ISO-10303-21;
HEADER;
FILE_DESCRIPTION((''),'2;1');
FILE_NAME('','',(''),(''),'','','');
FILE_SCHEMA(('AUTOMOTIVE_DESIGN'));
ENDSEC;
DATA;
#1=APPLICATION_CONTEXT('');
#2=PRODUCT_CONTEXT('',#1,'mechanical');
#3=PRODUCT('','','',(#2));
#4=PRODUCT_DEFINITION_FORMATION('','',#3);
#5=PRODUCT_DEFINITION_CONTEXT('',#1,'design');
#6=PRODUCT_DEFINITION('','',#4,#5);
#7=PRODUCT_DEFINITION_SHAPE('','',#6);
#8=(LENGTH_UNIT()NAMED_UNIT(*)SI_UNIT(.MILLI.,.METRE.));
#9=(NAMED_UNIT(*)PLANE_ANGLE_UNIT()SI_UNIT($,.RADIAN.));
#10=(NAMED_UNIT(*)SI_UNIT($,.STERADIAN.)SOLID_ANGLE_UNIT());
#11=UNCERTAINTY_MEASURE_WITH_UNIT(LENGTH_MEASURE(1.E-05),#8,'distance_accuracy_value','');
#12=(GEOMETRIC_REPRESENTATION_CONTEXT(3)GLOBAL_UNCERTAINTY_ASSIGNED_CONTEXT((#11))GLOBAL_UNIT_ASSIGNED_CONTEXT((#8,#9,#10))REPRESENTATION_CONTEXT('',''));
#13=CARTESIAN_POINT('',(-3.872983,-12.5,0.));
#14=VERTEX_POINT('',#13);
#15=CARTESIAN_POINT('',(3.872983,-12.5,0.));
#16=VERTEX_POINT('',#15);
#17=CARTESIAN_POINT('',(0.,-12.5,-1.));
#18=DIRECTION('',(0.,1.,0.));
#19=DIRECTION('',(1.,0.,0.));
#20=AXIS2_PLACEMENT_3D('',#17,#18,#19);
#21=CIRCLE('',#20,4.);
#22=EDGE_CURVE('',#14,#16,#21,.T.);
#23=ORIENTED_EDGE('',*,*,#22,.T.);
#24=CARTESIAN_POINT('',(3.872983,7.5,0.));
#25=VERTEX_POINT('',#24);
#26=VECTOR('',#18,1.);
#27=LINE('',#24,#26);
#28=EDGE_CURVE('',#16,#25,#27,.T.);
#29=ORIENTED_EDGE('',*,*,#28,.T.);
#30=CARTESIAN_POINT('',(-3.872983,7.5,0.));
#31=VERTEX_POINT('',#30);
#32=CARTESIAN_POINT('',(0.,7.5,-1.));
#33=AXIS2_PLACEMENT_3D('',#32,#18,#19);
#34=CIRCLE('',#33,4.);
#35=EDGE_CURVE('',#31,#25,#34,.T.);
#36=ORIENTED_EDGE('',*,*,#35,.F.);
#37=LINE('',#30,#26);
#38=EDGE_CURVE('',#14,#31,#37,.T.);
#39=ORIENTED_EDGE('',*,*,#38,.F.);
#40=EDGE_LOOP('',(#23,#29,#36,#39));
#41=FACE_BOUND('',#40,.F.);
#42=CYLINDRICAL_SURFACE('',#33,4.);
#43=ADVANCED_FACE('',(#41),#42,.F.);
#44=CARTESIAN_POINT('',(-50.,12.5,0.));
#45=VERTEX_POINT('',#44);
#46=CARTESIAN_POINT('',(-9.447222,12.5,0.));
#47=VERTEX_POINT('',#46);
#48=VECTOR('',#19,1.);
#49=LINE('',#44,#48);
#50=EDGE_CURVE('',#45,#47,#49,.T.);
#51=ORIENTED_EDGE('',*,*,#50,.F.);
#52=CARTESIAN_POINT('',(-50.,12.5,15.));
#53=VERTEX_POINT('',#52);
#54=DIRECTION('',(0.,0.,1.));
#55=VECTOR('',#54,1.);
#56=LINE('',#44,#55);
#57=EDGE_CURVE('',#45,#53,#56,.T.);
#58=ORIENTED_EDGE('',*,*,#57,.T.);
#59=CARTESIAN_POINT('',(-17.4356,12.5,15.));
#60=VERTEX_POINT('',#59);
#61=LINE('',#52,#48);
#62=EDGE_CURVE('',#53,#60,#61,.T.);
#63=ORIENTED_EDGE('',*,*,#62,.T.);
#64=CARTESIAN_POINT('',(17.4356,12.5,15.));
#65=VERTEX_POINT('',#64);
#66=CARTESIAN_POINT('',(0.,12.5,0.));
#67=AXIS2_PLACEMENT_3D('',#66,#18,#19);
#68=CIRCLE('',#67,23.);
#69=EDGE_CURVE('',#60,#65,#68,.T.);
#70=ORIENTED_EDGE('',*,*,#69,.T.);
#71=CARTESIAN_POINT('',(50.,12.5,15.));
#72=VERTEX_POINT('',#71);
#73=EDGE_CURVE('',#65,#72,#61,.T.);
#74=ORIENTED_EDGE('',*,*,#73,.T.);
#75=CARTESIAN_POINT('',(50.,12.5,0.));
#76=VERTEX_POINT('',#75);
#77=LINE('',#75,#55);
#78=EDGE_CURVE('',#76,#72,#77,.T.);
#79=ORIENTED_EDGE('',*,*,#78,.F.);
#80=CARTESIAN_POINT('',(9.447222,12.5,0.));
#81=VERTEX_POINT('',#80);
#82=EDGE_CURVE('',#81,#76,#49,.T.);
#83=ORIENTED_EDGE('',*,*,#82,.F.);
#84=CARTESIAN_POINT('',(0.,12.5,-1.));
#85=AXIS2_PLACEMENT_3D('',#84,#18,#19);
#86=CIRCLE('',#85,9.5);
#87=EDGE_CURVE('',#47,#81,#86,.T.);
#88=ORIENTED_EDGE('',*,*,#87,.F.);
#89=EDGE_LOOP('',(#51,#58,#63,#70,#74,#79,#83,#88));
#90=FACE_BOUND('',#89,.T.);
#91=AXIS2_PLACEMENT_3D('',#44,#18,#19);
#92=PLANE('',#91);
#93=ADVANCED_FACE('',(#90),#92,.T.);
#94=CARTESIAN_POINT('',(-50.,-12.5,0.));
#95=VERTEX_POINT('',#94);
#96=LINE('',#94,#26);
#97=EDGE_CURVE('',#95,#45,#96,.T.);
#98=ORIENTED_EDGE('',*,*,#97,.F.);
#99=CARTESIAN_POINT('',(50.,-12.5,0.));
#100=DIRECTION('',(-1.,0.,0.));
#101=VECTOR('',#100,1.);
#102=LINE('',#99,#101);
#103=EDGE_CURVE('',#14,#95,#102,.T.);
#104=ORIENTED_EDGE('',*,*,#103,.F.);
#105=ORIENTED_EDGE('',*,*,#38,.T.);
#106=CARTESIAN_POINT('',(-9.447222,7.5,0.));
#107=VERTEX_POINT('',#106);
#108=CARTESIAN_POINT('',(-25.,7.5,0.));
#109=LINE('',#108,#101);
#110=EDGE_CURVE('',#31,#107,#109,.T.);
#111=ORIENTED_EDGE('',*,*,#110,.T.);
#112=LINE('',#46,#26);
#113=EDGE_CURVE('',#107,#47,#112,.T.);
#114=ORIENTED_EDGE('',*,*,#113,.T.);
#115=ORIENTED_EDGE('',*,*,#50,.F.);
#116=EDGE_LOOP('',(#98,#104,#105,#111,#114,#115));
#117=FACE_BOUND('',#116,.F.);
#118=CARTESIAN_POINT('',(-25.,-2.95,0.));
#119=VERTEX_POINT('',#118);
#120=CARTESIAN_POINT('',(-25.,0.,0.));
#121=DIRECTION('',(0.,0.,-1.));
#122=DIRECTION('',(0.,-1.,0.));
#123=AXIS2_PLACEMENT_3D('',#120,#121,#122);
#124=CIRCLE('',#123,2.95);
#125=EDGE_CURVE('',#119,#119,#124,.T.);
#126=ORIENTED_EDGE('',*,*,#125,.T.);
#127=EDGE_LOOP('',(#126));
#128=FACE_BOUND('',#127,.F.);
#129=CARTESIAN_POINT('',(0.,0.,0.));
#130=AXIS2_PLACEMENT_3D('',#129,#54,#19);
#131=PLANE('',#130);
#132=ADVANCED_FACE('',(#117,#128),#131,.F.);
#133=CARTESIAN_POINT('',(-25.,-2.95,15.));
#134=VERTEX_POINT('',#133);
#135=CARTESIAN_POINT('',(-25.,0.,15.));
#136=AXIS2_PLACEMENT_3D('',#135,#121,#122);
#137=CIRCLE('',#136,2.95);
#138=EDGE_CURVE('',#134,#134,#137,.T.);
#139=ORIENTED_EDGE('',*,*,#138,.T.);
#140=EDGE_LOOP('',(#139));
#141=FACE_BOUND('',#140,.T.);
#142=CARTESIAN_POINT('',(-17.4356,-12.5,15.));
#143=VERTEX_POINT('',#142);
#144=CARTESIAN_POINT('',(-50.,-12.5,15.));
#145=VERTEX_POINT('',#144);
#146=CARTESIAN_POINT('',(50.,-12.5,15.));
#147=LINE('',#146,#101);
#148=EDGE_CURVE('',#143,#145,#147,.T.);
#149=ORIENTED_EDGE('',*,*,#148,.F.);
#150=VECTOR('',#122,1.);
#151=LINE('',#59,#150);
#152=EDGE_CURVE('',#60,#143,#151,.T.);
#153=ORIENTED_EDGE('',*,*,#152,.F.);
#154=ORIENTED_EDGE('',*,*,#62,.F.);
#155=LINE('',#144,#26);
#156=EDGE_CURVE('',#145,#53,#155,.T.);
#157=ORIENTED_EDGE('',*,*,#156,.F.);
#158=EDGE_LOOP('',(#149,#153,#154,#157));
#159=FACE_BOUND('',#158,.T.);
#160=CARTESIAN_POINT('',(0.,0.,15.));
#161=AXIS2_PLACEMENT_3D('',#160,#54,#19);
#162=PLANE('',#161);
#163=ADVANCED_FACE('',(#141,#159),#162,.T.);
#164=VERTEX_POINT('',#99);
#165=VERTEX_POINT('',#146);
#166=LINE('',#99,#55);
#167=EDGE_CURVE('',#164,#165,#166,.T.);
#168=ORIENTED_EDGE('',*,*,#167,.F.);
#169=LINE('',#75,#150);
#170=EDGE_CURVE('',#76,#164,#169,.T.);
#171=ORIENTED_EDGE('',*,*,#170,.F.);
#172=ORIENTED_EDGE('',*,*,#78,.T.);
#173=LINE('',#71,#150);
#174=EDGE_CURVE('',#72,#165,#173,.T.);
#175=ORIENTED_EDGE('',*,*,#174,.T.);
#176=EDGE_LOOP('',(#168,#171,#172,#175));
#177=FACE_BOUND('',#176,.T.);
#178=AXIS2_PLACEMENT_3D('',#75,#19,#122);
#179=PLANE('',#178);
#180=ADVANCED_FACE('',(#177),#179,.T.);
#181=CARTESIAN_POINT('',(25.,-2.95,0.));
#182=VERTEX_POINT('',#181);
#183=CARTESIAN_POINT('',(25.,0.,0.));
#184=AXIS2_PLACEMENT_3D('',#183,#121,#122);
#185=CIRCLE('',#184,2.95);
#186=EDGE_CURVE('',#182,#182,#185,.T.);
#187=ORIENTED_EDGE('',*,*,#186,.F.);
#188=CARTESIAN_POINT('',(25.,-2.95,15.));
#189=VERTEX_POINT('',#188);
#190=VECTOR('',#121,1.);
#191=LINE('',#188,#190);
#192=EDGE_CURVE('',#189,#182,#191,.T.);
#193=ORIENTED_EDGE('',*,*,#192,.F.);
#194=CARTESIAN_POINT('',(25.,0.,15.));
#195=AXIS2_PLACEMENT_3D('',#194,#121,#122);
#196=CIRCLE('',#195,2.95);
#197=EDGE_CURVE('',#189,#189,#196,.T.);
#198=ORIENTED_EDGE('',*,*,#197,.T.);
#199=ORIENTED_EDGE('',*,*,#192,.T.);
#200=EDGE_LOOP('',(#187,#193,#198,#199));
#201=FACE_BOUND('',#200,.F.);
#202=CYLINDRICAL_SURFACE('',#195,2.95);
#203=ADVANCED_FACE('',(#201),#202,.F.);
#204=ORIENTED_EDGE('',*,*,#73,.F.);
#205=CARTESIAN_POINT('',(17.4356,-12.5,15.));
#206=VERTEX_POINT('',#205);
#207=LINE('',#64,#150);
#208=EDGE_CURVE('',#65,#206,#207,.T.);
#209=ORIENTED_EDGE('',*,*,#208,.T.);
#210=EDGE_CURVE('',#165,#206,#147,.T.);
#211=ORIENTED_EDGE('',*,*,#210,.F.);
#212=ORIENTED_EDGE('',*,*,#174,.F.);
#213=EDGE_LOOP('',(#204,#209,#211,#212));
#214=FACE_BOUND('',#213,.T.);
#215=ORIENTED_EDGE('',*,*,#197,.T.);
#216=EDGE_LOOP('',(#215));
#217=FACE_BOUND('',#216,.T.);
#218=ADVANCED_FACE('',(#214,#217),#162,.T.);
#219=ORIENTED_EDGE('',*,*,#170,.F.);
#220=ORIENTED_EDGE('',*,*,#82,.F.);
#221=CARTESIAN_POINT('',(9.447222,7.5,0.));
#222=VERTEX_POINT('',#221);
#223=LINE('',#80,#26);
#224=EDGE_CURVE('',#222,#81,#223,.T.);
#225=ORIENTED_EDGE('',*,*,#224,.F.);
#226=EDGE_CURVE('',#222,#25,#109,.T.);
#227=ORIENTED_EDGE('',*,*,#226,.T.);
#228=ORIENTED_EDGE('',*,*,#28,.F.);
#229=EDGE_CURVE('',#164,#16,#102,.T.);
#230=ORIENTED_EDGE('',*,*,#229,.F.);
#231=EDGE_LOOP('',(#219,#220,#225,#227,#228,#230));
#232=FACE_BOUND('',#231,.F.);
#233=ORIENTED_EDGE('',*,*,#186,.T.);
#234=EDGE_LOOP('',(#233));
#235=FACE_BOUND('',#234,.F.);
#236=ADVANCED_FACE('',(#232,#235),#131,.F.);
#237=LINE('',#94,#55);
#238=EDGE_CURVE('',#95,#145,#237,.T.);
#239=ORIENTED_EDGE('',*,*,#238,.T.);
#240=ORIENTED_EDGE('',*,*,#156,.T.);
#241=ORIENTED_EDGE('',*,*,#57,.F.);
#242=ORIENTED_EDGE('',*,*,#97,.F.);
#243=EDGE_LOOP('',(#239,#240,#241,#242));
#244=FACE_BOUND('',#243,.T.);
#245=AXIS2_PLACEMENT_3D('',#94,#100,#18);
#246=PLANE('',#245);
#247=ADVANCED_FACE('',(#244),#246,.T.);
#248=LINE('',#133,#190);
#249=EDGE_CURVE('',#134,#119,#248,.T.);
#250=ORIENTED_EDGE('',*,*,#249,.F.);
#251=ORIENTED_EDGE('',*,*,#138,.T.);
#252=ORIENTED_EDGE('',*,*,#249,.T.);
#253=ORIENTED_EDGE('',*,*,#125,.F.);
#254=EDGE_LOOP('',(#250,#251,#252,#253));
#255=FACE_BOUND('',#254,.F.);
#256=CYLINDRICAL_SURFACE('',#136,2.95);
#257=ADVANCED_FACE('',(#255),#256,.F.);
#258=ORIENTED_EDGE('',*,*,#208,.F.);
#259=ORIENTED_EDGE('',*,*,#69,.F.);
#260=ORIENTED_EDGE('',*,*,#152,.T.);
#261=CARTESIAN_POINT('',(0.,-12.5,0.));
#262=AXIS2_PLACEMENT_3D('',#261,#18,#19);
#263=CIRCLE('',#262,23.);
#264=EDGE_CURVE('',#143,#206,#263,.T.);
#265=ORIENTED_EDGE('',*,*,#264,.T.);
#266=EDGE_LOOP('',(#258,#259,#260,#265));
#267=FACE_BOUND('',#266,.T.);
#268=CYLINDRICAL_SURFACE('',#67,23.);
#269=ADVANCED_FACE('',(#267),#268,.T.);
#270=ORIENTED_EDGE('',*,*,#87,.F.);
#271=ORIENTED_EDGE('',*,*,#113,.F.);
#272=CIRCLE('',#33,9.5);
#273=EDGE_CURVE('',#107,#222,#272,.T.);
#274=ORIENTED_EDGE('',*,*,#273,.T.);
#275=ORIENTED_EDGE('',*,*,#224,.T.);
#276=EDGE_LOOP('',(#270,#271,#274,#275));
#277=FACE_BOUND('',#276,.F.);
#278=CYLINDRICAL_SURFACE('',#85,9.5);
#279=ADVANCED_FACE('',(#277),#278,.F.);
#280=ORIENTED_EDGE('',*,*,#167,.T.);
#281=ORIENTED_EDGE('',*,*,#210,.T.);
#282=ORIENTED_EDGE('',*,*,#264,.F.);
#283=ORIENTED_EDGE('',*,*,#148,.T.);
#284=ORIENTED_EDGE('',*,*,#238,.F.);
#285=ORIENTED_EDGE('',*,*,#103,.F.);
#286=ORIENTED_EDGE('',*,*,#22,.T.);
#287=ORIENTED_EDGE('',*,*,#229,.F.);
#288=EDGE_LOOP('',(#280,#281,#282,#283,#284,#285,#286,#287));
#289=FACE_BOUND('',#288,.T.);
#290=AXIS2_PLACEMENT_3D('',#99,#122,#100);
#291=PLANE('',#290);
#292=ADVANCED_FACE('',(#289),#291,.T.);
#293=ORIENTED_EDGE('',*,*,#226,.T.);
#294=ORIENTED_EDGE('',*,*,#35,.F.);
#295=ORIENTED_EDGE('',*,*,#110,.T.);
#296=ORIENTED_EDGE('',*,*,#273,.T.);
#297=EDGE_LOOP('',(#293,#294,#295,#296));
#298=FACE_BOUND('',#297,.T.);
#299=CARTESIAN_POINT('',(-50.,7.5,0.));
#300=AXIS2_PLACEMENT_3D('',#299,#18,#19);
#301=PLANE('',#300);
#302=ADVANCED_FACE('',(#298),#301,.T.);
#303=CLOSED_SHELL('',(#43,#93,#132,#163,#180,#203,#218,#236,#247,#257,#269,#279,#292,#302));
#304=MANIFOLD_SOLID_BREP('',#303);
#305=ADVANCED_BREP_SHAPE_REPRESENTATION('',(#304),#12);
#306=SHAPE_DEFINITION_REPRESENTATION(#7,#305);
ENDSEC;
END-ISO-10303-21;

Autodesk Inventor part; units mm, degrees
ref_plane "YZ Plane" through (0, 0, 0) normal (1, 0, 0) x (0, 1, 0)
ref_plane "XZ Plane" through (0, 0, 0) normal (0, 1, 0) x (-1, 0, 0)
ref_plane "XY Plane" through (0, 0, 0) normal (0, 0, 1) x (1, 0, 0)
sketch "Schizzo1" plane through (0, 0, 0) normal (0, 0, 1) x (1, 0, 0)
  line L0 (50, -12.5) -> (-50, -12.5)
  line L1 (-50, -12.5) -> (-50, 12.5)
  line L2 (-50, 12.5) -> (50, 12.5)
  line L3 (50, 12.5) -> (50, -12.5)
  line L4 (50, -12.5) -> (-50, 12.5) construction
  line L5 (-50, -12.5) -> (50, 12.5) construction
  point P0 (0, 0)
  dimension "d0" = 100
  dimension "d1" = 25
extrude "Estrusione1" add sketch "Schizzo1" along normal blind 15
sketch "Schizzo2" plane through (-50, 12.5, 0) normal (0, 1, 0) x (1, 0, 0)
  line L0 (50, 0) -> (50, 1)
  line L1 (50, 0) -> (51, 0) construction
  circle A0 centre (50, 1) radius 9.5
  dimension "d4" = 1
  dimension "d5" = 90
  dimension "d6" = 19
extrude "Estrusione2" cut sketch "Schizzo2" against normal blind 5
sketch "Schizzo3" plane through (-50, 7.5, 0) normal (0, 1, 0) x (1, 0, 0)
  line L0 (50, 0) -> (50, 1)
  line L1 (50, 0) -> (51, 0) construction
  circle A0 centre (50, 1) radius 4
  dimension "d9" = 1
  dimension "d10" = 90
  dimension "d11" = 8
extrude "Estrusione3" cut sketch "Schizzo3" against normal blind 20
sketch "Schizzo4" plane through (0, 0, 15) normal (0, 0, 1) x (1, 0, 0)
  line L0 (-25, 0) -> (25, 0)
  line L1 (-25, 0) -> (25, 0) construction
  line L2 (50, 12.5) -> (-50, 12.5) projected
  point P0 (0, 0)
  point P1 (0, 0)
  dimension "d14" = 50
  dimension "d15" = 0
hole "Foro1" at (-25, 0, 15) at (25, 0, 15) direction (0, 0, -1) diameter 5.9 end through all clearance for "Bullone a testa esagonale" size "M5" standard "ANSI - Profilo M Metrico"
sketch "Schizzo5" plane through (-50, 12.5, 15) normal (0, 1, 0) x (1, 0, 0)
  circle A0 centre (50, 15) radius 23
  line L0 (100, 0) -> (0, 0) projected
  line L1 (67.4356, 0) -> (32.5644, 0)
  point P0 (50, 15)
  dimension "d23" = 46
extrude "Estrusione4" add sketch "Schizzo5" against normal blind 25 contours L0 A0 picked at (45.5796, -1.264)
properties part number "20_Base_Sopra" material "PLA(Stampato)(D0,646)"
